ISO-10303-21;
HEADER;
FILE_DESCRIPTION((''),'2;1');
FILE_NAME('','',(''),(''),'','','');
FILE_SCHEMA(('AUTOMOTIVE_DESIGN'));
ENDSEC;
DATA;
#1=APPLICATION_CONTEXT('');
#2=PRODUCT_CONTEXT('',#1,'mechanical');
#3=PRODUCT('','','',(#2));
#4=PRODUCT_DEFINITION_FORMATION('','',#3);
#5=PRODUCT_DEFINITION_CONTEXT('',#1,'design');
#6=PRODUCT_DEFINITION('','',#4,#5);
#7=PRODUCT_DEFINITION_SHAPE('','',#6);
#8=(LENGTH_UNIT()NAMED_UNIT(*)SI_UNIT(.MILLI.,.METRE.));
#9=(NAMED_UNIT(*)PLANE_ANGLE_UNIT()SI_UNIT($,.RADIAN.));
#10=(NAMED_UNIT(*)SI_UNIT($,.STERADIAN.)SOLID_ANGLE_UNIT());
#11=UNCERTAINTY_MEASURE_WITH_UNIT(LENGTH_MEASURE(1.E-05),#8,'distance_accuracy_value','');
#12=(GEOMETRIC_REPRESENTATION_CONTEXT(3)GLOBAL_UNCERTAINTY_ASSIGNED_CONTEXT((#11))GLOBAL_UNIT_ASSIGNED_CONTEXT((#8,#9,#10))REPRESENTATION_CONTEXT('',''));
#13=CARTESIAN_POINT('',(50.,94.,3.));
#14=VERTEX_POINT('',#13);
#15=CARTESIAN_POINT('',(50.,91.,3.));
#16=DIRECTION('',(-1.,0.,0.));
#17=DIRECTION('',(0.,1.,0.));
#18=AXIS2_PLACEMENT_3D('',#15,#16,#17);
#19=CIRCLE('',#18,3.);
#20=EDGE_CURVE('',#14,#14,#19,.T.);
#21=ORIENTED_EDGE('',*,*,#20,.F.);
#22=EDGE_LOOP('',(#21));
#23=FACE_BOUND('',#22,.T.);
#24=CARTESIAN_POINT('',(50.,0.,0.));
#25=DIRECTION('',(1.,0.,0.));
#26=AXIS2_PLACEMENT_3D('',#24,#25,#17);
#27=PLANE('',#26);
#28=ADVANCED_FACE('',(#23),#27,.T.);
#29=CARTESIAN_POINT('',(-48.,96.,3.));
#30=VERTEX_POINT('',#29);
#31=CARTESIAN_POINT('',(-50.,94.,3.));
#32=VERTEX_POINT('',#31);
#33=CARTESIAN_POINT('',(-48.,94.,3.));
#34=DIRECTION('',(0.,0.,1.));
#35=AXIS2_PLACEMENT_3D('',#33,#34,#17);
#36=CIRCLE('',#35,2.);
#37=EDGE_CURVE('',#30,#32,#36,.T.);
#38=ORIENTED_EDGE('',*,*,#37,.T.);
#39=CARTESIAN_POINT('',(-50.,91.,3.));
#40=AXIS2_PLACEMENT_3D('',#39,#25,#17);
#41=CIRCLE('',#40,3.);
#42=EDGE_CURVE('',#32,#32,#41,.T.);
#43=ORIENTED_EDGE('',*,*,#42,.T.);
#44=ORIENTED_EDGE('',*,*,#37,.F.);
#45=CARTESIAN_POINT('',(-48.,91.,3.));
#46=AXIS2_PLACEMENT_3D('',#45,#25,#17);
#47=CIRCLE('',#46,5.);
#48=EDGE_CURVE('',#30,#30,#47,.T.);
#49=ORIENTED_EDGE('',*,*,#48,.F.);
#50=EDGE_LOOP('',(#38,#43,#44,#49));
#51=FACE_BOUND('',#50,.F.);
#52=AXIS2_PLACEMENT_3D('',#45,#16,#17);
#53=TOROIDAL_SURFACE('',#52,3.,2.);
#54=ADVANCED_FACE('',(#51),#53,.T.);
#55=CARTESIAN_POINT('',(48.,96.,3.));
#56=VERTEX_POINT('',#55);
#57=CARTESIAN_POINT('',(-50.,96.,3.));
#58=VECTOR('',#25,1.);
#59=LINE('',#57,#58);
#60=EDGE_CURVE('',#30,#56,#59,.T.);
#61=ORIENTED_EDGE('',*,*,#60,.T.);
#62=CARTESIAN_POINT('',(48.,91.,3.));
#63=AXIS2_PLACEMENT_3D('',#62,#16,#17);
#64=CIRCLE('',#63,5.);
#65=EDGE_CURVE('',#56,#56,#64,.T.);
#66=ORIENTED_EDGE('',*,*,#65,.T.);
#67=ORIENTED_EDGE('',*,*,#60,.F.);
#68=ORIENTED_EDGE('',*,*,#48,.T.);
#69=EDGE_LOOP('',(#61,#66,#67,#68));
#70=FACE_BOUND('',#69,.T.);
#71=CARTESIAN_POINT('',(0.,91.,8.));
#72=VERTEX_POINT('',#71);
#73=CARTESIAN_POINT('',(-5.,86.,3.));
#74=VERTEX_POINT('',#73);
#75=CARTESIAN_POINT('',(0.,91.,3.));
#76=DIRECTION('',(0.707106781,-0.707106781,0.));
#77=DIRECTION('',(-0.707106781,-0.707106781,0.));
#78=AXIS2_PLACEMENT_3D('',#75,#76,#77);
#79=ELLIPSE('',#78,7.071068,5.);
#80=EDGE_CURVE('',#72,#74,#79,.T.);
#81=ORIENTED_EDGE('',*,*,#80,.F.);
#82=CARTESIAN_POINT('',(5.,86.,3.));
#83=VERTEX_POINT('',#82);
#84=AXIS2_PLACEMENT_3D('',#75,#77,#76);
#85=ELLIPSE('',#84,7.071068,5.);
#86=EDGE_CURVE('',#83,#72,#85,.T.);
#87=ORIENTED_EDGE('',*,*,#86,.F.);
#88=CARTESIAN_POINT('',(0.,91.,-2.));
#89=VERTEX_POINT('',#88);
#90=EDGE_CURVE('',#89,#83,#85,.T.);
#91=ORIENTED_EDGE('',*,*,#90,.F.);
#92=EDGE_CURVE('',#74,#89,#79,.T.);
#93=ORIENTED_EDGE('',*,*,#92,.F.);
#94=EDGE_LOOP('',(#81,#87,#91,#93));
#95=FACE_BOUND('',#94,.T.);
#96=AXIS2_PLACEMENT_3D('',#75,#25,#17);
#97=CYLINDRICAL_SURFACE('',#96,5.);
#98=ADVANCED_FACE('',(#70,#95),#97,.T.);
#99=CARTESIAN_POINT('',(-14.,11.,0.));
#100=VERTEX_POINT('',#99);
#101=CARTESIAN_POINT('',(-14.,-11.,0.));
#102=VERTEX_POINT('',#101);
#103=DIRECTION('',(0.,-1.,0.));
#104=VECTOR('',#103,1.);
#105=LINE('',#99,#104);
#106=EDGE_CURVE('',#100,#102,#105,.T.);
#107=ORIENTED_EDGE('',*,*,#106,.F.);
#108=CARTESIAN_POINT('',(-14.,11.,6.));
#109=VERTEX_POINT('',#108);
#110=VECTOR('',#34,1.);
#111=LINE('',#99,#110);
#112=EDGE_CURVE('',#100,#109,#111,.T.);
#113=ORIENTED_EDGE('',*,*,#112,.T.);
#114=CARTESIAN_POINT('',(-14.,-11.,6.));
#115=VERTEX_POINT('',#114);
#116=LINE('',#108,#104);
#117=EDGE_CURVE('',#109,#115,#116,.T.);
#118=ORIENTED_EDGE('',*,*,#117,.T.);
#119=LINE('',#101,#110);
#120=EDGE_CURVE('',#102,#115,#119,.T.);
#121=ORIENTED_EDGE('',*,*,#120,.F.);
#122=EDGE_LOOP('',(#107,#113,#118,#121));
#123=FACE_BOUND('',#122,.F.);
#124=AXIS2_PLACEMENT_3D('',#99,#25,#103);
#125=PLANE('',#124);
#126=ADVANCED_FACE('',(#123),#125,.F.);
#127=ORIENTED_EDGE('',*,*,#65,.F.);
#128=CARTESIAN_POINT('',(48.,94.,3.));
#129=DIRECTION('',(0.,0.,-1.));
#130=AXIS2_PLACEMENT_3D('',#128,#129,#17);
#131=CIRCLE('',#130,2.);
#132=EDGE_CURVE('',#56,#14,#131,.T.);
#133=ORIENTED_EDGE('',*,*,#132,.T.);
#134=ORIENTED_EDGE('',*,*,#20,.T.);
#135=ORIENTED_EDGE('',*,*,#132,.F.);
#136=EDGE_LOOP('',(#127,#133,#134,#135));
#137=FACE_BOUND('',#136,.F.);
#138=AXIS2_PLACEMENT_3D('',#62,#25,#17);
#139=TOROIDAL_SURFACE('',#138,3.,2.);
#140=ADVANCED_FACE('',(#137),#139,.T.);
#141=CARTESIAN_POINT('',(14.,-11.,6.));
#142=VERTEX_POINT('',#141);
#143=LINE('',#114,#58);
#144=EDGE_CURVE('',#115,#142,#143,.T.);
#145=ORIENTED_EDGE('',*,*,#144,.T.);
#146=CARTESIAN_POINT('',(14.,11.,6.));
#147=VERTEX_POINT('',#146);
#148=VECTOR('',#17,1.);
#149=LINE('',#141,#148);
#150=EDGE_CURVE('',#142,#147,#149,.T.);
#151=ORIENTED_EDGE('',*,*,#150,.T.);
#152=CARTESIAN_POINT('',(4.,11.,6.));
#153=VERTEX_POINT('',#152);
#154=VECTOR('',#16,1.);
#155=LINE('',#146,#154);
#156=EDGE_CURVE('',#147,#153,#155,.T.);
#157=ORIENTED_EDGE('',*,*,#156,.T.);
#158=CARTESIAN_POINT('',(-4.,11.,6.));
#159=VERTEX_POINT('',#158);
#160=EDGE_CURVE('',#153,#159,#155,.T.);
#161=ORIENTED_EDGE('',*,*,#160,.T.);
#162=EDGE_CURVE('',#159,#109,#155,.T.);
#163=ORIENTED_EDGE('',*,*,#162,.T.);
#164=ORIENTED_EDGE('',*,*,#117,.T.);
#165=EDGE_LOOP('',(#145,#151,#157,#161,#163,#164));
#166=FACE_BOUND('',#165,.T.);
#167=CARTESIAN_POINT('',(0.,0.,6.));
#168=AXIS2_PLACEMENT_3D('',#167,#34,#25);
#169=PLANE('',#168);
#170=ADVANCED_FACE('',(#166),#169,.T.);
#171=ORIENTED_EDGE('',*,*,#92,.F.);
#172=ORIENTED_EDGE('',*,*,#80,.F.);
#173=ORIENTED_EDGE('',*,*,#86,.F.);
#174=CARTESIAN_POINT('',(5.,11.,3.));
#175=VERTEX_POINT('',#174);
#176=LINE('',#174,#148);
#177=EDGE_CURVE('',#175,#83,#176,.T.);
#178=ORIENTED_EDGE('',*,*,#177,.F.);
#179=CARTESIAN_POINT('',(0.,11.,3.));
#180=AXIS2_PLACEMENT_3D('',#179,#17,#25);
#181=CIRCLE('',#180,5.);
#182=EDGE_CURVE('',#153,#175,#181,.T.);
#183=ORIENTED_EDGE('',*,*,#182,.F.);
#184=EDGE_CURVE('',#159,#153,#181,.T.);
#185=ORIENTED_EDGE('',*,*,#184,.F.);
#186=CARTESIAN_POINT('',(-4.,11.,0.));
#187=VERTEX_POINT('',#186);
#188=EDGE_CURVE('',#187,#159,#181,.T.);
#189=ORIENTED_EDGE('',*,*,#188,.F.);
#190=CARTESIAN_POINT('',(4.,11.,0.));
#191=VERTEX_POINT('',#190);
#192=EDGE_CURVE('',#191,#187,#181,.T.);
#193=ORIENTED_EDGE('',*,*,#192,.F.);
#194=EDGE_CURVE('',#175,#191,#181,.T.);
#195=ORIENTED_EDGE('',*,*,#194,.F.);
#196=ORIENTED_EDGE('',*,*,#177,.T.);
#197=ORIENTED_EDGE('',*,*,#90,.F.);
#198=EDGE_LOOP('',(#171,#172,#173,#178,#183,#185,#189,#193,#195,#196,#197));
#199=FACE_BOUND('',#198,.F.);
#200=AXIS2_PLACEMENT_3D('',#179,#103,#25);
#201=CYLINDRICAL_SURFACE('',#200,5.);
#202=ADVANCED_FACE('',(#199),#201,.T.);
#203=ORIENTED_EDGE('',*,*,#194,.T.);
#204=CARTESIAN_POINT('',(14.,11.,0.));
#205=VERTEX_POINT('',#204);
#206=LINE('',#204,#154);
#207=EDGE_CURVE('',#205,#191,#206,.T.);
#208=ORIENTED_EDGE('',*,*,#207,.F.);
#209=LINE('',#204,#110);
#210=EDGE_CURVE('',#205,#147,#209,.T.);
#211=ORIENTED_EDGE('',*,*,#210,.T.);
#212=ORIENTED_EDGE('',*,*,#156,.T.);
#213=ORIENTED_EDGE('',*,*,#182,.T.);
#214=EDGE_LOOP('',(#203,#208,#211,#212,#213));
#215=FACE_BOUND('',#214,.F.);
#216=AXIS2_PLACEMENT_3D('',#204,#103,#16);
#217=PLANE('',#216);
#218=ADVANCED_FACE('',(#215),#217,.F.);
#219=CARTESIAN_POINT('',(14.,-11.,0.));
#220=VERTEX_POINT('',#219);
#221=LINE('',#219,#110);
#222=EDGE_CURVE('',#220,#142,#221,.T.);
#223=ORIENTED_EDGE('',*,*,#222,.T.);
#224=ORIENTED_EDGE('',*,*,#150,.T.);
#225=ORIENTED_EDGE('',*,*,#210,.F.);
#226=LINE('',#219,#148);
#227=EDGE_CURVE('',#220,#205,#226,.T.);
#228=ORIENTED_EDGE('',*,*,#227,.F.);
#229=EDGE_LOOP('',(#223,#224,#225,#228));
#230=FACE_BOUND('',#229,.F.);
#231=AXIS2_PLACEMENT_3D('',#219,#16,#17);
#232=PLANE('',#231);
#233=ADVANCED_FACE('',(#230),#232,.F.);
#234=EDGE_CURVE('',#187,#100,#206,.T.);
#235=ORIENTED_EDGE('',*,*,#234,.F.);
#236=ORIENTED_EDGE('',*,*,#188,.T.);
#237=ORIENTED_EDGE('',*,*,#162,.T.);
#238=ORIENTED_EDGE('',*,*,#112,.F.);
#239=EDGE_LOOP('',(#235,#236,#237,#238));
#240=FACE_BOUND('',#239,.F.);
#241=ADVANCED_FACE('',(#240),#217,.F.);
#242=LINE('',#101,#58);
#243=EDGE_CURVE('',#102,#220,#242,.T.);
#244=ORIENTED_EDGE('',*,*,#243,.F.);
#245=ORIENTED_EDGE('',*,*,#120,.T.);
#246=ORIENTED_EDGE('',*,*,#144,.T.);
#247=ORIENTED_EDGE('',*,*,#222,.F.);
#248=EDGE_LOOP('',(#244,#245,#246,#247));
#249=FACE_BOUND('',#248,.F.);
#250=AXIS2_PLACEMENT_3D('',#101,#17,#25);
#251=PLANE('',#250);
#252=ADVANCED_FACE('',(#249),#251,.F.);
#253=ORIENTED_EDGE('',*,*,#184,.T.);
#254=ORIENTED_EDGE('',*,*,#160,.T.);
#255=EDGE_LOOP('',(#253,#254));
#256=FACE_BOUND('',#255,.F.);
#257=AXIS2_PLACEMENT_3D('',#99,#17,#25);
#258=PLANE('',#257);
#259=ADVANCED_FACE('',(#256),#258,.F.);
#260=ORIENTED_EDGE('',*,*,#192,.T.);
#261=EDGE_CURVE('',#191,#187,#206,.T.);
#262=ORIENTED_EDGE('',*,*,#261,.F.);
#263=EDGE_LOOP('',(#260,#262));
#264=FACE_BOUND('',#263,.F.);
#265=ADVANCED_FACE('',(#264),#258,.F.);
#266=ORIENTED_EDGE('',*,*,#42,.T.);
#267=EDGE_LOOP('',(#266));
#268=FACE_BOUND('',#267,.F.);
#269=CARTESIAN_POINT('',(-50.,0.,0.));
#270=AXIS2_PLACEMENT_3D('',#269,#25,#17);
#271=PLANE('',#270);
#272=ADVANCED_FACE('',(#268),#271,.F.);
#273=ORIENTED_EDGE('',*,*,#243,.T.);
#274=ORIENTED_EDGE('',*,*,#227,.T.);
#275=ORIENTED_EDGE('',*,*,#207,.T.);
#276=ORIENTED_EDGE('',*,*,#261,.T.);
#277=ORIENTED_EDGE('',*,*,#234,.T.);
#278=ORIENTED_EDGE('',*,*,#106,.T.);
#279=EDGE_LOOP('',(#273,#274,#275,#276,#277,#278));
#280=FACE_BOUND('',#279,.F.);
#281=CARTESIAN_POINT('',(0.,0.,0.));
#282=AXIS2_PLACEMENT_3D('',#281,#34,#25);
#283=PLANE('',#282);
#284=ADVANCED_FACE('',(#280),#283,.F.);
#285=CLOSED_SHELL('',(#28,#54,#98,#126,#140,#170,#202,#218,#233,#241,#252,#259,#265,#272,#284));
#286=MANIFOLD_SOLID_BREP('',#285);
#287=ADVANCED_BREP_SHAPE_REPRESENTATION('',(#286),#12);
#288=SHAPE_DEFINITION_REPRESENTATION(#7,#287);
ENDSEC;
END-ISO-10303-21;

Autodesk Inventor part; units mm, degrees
ref_plane "XZ Plane" through (0, 0, 0) normal (0, 1, 0) x (-1, 0, 0)
ref_plane "XY Plane" through (0, 0, 0) normal (0, 0, 1) x (1, 0, 0)
sketch "Skizze1" plane through (0, 0, 0) normal (0, 0, 1) x (1, 0, 0)
  line L0 (-14, -11) -> (14, -11)
  line L1 (14, -11) -> (14, 11)
  line L2 (14, 11) -> (-14, 11)
  line L3 (-14, 11) -> (-14, -11)
  line L4 (-14, -11) -> (14, 11) construction
  line L5 (14, -11) -> (-14, 11) construction
  point P0 (0, 0)
  dimension "d0" = 28
  dimension "d1" = 22
extrude "Extrusion1" add sketch "Skizze1" along normal blind 6
sketch "Skizze2" plane through (-14, 11, 0) normal (0, 1, 0) x (1, 0, 0)
  circle A0 centre (14, -3) radius 5
  line L0 (0, 0) -> (0, -6) projected
  line L1 (28, 0) -> (0, 0) projected
  point P0 (14, 0)
  point P1 (0, -3)
  point P2 (14, 0)
  dimension "d4" = 10
extrude "Extrusion2" add sketch "Skizze2" along normal blind 80
ref_plane "Arbeitsebene1" through (0, 0, 0) normal (1, 0, 0) x (0, 1, 0)
sketch "Skizze3" plane through (0, 0, 0) normal (1, 0, 0) x (0, 1, 0)
  line L0 (91, -2) -> (91, 8) projected
  circle A0 centre (91, 3) radius 5
  point P0 (0, 0)
  dimension "d8" = 10
extrude "Extrusion3" add sketch "Skizze3" along normal mid plane 100
fillet "Rundung1" radius 2 2 edges at (50, 86, 3) (-50, 86, 3)
properties part number "Flutschlüssel"
